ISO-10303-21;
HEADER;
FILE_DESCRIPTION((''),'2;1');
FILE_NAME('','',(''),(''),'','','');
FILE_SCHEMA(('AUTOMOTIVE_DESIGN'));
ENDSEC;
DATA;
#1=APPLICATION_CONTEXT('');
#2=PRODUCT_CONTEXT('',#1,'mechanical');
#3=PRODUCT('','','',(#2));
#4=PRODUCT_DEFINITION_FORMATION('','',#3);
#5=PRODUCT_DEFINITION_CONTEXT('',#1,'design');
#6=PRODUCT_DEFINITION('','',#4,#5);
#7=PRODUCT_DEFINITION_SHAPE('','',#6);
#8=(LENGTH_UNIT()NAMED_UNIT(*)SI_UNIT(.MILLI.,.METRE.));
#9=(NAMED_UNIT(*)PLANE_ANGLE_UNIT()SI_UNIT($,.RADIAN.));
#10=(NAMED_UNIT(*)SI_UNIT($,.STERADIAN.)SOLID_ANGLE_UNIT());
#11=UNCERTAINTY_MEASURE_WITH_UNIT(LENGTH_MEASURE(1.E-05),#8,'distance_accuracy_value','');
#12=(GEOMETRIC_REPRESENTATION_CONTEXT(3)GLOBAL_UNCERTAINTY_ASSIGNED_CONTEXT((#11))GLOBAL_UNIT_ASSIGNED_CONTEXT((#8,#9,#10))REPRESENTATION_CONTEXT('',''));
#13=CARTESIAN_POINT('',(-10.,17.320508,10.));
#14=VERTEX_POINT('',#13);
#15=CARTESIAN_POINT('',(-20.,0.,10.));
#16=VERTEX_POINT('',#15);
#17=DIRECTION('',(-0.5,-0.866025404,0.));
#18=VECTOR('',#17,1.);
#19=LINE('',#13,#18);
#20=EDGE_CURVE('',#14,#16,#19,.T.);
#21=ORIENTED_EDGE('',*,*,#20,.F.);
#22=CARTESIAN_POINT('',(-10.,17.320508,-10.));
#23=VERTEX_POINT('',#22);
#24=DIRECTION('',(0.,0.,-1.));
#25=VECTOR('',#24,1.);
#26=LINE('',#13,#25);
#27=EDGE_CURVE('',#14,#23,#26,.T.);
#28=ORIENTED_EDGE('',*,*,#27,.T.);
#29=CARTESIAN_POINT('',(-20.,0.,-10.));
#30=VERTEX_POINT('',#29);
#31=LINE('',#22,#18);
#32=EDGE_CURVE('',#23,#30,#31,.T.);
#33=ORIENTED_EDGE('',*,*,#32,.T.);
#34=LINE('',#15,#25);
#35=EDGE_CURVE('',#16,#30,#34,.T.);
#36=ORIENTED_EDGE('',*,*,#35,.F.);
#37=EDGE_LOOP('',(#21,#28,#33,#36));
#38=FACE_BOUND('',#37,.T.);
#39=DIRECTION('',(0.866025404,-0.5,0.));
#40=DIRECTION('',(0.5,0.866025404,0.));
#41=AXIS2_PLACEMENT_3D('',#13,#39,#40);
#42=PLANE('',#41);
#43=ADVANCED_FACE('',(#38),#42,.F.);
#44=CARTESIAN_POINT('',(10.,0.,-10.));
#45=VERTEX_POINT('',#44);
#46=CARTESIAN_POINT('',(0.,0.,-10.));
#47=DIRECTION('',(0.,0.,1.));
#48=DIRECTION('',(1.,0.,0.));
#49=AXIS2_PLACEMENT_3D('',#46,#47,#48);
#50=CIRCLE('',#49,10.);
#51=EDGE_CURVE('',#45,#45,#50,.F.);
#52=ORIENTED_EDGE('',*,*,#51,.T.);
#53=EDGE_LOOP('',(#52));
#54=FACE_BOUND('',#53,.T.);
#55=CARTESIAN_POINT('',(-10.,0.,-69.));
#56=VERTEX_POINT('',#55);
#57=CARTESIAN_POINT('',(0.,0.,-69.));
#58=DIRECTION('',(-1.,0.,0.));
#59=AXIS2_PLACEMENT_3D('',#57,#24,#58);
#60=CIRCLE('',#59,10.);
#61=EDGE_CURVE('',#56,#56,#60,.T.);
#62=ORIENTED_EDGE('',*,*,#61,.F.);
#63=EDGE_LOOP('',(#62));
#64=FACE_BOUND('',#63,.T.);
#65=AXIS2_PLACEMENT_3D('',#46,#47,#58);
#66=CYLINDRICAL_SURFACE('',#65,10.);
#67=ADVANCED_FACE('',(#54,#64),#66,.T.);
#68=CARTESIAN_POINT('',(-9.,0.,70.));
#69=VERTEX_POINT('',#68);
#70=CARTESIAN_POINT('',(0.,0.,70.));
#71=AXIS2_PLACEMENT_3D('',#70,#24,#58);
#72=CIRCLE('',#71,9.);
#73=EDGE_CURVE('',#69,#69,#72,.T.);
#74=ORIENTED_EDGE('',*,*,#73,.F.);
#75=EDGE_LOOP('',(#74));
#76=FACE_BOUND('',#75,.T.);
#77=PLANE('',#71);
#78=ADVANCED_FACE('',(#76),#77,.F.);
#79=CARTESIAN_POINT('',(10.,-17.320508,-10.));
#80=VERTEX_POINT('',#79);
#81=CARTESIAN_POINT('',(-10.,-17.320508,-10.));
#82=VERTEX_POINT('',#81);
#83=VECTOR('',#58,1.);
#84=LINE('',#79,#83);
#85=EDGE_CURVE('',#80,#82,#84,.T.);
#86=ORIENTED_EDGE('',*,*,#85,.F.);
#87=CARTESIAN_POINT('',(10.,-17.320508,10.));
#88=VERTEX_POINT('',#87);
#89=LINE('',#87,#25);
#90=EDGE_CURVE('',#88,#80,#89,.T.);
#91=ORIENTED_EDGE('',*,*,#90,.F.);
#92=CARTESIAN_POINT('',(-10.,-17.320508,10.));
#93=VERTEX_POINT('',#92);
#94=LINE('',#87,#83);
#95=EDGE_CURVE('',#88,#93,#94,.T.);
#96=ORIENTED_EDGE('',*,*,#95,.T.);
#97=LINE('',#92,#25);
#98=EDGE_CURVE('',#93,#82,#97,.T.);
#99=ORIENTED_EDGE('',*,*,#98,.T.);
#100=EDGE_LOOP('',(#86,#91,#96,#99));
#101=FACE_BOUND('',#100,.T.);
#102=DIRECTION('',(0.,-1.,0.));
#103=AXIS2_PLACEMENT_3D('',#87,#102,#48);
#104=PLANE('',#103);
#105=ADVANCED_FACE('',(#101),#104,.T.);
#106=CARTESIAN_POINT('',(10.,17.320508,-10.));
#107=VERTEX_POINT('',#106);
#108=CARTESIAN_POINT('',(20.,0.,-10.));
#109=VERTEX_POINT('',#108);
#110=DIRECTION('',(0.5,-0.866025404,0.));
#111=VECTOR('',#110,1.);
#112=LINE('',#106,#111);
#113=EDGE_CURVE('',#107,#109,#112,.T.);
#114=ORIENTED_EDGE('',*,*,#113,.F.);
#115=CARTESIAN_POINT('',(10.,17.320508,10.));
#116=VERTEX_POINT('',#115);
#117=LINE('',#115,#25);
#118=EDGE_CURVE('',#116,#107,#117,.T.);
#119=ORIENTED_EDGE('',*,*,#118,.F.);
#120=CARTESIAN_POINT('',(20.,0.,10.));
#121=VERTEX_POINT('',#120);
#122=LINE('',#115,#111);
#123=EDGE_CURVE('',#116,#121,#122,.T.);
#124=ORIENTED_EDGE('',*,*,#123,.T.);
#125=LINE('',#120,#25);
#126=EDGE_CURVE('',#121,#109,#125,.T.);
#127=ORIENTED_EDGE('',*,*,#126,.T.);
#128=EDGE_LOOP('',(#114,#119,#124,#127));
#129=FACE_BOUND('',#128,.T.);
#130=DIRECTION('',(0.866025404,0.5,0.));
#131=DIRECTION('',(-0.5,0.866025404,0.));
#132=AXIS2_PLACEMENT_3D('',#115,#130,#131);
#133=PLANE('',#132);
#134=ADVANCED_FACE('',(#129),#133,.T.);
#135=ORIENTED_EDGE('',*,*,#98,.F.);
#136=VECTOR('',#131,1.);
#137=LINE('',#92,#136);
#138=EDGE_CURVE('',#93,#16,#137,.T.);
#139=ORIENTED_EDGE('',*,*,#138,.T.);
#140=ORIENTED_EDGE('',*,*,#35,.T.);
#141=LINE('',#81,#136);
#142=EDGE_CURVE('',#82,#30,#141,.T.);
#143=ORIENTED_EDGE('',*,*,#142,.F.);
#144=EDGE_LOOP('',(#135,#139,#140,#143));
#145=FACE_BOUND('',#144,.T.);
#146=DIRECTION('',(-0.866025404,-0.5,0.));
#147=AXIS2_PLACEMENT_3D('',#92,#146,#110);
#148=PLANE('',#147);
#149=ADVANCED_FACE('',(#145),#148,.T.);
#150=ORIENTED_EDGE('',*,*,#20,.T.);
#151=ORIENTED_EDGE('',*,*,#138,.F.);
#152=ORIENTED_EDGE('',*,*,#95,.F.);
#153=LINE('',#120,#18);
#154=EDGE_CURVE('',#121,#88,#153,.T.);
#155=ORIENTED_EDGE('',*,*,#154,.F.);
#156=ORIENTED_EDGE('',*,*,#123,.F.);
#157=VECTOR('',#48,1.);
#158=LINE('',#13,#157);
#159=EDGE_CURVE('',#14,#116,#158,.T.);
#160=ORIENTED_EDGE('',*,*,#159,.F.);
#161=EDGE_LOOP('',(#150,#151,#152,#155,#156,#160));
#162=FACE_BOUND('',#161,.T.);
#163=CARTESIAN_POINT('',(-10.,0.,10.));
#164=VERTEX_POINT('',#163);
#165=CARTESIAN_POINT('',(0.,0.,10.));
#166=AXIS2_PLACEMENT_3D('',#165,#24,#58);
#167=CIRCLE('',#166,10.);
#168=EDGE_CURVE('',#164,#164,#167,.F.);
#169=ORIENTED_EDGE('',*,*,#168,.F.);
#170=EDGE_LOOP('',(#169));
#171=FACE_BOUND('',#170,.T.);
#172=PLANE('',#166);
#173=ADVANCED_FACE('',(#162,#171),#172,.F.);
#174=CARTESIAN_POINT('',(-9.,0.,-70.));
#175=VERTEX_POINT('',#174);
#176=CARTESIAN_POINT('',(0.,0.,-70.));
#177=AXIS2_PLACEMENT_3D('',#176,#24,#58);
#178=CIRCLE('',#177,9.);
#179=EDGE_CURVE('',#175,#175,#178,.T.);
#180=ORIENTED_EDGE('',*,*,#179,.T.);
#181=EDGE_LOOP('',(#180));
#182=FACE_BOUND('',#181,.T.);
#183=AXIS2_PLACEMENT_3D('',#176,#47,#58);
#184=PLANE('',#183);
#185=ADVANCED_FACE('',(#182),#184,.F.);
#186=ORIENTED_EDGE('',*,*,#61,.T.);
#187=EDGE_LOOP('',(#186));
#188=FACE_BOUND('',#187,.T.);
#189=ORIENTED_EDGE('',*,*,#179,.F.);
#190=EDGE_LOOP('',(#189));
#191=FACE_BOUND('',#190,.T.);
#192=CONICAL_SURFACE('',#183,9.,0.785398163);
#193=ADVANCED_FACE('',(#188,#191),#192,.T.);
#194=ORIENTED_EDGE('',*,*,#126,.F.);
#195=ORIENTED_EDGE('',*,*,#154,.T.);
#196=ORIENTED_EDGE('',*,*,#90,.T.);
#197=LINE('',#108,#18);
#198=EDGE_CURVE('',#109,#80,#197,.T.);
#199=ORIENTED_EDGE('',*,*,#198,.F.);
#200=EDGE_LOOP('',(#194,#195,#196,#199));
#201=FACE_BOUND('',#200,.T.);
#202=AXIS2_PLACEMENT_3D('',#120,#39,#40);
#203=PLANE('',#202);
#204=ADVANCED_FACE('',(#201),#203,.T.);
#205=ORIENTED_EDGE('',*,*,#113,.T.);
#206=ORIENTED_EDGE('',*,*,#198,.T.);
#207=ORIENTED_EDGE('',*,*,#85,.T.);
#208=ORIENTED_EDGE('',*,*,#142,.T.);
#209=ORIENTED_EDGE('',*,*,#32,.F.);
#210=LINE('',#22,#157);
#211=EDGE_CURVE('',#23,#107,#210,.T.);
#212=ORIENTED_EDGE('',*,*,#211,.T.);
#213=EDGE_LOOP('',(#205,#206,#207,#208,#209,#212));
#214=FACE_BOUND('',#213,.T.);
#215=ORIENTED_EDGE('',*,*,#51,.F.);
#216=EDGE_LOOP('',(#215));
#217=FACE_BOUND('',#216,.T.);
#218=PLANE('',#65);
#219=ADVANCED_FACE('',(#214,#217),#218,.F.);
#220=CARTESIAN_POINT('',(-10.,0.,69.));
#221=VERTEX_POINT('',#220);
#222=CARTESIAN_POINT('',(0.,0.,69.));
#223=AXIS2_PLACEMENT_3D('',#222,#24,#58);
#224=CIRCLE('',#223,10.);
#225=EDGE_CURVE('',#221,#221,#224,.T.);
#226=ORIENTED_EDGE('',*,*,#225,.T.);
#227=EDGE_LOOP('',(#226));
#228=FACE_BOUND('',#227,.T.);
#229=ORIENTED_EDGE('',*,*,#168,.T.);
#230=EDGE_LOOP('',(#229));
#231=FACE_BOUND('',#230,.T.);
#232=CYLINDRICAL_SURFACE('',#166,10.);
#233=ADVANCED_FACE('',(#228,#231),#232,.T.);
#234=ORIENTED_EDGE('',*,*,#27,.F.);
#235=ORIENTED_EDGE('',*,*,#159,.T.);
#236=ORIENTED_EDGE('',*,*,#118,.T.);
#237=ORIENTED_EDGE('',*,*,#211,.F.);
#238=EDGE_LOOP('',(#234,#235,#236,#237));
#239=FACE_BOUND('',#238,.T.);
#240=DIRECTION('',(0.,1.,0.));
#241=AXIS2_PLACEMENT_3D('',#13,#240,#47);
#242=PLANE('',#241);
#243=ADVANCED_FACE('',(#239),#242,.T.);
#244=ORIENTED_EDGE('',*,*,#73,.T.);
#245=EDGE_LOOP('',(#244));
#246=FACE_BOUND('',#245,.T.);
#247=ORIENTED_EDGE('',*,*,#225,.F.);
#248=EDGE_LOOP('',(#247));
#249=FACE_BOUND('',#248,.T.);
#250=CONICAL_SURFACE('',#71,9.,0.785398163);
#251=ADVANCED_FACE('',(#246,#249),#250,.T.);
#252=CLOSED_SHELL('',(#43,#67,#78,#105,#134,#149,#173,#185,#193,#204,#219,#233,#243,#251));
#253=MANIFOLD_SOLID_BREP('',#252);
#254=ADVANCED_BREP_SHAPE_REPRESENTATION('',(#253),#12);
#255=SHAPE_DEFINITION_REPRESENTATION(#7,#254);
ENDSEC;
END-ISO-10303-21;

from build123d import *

# Parameters (mm, degrees)
BOSS_EXTRU_1_DEPTH = 10


with BuildPart() as part:
    # Esquisse1 → Boss.-Extru.1 (new body)
    with BuildSketch(Plane.XY):
        Polygon((-10, 17.320508076), (10, 17.320508076), (20, 0), (10, -17.320508076), (-10, -17.320508076), (-20, 0), align=None)
    boss_extru_1 = extrude(amount=BOSS_EXTRU_1_DEPTH)

    # Esquisse2 → Révolution1 (revolve)
    with BuildSketch(Plane(origin=(0, 0, 0), x_dir=(1, 0, 0), z_dir=(0, 1, 0)), mode=Mode.PRIVATE) as r_volution1_sk:
        Polygon((0, -10), (0, -70), (9, -70), (10, -69), (10, -10), align=None)
    r_volution1 = revolve(r_volution1_sk.sketch.rotate(Axis((0, 0, 10), (0, 0, 1)), 180), axis=Axis((0, 0, 10), (0, 0, 1)))

    # Symétrie1: Boss.-Extru.1, Révolution1 across plane
    add(boss_extru_1.mirror(Plane(origin=(0, 0, 0), x_dir=(1, 0, 0), z_dir=(0, 0, -1))))
    add(r_volution1.mirror(Plane(origin=(0, 0, 0), x_dir=(1, 0, 0), z_dir=(0, 0, -1))))


solid = part.part
